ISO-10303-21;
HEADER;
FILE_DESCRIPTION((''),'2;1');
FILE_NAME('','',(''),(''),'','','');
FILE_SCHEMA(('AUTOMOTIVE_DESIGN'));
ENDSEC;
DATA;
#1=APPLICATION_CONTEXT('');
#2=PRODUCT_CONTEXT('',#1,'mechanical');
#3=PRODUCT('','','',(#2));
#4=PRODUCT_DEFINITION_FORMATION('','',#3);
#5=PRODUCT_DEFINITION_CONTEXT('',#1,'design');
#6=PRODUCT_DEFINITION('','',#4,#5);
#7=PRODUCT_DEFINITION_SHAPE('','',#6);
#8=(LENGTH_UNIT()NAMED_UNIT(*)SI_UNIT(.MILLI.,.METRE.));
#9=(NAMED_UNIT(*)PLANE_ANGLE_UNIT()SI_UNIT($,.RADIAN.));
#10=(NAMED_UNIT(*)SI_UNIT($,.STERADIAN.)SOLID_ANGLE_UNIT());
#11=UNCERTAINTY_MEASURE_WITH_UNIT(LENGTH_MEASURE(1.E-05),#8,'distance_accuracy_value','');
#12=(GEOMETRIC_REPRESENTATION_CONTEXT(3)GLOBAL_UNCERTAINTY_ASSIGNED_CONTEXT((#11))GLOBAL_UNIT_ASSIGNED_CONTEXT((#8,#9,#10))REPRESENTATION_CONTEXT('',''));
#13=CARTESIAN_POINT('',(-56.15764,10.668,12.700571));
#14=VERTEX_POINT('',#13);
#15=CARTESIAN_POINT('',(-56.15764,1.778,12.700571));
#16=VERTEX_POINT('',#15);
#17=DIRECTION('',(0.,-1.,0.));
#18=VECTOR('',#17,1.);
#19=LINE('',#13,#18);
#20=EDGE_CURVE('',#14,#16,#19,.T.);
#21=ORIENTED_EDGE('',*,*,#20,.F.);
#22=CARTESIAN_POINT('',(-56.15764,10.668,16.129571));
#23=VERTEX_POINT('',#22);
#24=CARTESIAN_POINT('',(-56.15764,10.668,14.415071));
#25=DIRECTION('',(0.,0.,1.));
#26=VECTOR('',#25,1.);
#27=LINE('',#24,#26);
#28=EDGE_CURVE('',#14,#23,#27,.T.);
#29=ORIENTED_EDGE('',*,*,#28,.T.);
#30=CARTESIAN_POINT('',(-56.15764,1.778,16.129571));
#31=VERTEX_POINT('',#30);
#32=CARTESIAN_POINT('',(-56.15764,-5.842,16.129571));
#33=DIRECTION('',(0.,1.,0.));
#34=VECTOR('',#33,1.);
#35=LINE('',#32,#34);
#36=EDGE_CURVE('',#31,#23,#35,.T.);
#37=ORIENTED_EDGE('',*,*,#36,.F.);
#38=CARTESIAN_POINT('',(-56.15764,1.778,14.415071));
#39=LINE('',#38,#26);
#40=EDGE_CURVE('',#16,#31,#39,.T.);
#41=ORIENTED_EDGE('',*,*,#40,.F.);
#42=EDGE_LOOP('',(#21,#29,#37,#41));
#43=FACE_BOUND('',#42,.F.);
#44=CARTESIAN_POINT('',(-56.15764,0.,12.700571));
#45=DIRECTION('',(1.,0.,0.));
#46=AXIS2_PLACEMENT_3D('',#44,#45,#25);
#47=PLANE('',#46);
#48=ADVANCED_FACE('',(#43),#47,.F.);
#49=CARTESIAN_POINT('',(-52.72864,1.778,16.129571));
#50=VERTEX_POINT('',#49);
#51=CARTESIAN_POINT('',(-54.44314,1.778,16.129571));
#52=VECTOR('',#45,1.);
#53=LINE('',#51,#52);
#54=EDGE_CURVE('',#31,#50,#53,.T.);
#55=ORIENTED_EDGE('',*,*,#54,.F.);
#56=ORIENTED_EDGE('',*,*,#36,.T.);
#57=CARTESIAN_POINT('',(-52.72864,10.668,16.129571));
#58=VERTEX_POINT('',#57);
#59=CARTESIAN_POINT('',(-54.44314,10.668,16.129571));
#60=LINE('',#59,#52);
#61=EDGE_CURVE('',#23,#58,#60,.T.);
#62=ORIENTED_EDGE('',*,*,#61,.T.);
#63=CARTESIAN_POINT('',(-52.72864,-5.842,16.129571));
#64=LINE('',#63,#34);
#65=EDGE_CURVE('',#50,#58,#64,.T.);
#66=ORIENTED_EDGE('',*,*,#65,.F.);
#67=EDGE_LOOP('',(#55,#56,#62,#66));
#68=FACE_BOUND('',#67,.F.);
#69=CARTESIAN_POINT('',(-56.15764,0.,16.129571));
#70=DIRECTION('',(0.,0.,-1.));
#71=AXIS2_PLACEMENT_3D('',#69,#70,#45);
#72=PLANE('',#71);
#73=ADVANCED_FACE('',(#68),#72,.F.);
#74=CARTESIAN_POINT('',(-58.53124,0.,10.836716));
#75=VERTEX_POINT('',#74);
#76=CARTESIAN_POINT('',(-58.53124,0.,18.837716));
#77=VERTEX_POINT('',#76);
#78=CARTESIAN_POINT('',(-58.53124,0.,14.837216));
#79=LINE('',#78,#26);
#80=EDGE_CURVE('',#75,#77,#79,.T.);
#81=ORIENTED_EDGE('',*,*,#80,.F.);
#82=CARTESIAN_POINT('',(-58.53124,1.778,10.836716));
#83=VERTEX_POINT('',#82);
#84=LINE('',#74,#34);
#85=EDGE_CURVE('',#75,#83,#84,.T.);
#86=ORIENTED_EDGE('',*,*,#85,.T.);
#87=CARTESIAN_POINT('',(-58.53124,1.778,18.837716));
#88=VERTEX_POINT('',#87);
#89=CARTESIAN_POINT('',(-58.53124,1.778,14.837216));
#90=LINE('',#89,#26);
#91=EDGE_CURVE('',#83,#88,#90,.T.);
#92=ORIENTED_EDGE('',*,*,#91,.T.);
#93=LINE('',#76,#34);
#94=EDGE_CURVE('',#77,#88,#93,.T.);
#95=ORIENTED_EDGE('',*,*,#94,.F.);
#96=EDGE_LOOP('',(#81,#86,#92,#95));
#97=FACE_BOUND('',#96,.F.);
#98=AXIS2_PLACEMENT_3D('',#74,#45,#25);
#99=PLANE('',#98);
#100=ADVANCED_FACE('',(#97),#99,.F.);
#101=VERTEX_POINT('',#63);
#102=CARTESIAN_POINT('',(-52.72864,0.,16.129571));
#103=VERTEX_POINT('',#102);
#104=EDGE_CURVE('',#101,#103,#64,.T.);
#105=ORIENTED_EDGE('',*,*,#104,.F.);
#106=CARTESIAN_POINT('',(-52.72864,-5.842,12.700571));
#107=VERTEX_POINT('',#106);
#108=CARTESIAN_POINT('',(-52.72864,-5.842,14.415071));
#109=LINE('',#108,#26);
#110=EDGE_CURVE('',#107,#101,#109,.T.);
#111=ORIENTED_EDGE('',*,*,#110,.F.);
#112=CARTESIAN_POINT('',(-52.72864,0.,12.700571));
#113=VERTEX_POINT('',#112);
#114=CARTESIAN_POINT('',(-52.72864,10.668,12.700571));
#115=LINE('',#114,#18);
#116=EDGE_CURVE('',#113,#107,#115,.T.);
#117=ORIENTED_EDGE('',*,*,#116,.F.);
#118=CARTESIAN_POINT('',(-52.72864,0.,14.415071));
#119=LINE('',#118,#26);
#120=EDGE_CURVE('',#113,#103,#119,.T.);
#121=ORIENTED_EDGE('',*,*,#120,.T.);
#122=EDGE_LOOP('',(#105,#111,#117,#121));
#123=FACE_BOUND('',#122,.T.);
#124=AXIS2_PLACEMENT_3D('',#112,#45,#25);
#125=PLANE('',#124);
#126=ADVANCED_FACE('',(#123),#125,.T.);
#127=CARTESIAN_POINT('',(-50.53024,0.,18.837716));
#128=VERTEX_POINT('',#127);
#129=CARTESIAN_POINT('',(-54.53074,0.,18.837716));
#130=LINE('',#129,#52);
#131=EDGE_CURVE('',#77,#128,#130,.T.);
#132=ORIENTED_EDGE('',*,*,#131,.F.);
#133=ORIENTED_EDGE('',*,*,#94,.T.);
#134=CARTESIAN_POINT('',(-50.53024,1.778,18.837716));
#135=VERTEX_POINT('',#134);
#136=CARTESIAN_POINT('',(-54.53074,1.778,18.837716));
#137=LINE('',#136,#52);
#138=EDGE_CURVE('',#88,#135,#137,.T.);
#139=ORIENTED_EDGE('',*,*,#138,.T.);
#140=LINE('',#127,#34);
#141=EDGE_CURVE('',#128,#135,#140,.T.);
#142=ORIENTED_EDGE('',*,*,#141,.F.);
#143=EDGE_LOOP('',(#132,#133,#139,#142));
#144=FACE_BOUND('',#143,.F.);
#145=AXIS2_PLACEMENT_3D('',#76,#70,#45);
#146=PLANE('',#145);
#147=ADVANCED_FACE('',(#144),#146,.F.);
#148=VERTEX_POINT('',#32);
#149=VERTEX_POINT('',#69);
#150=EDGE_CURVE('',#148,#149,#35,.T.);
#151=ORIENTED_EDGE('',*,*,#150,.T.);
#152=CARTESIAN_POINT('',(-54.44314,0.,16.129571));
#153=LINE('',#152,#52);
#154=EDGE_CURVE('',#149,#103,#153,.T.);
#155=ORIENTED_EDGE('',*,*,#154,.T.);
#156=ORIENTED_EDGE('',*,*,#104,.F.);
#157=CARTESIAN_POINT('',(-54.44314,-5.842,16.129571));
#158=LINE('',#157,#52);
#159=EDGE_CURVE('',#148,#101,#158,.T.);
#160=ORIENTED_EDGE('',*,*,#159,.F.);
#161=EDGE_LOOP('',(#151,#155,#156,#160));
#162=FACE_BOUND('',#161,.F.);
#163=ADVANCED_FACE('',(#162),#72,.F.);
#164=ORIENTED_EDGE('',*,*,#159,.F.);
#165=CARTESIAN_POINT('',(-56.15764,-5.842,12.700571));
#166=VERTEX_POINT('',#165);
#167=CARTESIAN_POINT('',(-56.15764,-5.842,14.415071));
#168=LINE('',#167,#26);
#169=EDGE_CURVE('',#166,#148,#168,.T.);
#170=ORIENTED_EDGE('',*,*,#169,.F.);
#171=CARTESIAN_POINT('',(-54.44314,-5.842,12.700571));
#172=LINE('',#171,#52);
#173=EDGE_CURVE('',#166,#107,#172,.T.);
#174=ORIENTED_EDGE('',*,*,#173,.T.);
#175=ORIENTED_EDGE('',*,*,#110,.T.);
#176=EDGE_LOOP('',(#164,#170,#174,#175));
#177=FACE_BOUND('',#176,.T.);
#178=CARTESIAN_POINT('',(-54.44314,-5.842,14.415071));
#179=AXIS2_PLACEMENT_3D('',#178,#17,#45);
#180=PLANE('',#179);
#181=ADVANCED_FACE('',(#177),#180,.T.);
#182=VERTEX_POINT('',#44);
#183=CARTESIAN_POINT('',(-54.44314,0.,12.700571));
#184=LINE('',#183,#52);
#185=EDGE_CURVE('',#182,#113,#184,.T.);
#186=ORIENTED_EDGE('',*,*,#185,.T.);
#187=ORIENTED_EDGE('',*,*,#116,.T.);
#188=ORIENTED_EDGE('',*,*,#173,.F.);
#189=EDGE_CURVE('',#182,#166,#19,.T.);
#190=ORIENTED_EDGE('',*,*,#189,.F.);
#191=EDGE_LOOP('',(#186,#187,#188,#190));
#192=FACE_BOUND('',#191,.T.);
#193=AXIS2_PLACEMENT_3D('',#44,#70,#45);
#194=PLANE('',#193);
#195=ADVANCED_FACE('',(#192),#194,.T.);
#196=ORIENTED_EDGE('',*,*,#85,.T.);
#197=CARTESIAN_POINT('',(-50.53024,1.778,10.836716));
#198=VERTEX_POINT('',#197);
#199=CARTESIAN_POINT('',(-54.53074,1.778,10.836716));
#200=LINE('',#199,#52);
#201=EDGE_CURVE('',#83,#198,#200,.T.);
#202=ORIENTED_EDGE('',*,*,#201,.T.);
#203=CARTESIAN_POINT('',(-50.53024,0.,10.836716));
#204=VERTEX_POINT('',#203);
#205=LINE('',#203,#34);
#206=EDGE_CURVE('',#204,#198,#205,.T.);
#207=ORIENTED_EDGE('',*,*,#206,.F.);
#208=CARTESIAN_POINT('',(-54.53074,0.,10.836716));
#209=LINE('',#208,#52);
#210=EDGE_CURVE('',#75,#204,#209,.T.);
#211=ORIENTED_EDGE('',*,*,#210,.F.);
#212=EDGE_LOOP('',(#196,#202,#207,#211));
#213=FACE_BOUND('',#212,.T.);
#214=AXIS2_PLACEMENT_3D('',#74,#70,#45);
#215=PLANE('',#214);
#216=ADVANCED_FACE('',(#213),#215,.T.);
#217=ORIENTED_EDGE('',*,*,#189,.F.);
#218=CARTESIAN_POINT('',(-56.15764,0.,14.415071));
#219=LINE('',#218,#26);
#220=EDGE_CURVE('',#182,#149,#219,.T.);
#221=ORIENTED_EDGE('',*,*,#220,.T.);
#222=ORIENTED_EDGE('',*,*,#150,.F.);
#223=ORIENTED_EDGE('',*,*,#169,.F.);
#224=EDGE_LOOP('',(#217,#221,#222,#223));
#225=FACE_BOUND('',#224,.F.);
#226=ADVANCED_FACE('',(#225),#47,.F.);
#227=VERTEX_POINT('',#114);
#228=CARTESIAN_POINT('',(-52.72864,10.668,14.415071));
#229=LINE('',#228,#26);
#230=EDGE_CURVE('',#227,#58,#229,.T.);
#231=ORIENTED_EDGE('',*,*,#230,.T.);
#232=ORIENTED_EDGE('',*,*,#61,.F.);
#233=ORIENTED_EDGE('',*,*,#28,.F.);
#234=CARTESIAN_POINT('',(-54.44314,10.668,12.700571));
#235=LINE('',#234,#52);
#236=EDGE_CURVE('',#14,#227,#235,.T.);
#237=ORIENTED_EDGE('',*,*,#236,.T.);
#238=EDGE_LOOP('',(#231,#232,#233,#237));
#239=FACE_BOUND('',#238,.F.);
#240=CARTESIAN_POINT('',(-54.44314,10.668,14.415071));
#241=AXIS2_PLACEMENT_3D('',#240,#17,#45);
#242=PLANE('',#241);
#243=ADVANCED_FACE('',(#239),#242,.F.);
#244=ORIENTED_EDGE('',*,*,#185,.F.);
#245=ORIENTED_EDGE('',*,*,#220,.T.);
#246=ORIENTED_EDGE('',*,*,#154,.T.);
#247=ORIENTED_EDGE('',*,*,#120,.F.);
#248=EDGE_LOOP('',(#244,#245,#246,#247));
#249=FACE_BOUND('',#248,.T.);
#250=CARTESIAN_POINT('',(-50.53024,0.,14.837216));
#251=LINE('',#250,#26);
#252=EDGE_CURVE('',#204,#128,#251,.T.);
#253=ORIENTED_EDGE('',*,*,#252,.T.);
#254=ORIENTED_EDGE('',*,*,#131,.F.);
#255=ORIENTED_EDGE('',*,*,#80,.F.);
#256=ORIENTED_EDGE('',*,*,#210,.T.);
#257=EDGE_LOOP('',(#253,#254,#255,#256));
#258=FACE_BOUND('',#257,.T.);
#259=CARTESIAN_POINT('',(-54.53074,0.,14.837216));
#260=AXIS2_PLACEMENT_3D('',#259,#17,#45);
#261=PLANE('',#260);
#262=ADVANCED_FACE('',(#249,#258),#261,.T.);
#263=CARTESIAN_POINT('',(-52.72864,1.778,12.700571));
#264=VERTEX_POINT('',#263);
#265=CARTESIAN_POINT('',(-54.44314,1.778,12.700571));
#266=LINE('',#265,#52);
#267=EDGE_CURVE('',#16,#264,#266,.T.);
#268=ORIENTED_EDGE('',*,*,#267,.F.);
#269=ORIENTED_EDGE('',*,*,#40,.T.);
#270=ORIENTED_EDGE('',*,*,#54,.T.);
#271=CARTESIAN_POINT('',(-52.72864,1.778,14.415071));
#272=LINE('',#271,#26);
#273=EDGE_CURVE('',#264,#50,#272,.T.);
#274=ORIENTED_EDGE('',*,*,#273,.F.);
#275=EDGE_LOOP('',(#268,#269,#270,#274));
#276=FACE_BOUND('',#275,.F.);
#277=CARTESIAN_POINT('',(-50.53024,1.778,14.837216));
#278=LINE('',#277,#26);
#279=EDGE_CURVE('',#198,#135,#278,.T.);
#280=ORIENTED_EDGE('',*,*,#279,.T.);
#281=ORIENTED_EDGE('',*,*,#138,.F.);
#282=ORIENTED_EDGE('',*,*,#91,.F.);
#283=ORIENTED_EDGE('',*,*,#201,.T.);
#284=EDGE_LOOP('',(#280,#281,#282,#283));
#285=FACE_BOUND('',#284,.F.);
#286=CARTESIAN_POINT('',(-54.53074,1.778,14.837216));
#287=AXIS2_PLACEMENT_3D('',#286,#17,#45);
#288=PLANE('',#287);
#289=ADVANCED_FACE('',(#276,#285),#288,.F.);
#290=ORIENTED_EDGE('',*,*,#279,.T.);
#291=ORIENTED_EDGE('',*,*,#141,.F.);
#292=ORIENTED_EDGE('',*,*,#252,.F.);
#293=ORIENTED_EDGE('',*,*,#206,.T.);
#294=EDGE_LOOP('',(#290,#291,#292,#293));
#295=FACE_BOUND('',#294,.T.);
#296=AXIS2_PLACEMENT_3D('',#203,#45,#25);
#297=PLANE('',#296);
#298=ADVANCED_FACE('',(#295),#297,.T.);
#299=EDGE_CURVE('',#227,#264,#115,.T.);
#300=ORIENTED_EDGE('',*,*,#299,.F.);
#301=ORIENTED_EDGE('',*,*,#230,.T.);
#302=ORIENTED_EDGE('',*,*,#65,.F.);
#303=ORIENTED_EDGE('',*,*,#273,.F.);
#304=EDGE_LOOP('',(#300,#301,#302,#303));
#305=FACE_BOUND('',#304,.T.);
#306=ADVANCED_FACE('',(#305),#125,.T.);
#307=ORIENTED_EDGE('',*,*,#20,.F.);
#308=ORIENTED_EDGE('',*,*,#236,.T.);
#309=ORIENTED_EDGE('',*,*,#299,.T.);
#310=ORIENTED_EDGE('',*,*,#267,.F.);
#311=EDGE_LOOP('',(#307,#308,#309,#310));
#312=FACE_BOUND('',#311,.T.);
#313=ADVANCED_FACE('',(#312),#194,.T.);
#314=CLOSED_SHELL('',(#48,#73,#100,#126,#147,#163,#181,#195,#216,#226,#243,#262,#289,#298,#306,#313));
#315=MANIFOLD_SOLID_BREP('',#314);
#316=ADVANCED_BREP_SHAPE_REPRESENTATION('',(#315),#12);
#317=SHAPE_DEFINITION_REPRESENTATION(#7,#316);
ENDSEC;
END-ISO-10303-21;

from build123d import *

# Parameters (mm, degrees)
F0_W          = 3.429
F0_H          = 3.429
F1_DEPTH      = 5.842
F1_DEPTH_BACK = 10.668
F0_W_2        = 8.001
F0_H_2        = 8.001
F2_DEPTH      = 1.778


with BuildPart() as f1:
    # F0 (on Front) → F1 (new body, two sides)
    with BuildSketch(Plane.XZ) as f1_sk:
        with Locations((-54.44314, 14.415071)):
            Rectangle(F0_W, F0_H)
    extrude(amount=F1_DEPTH)
    extrude(f1_sk.sketch, amount=-F1_DEPTH_BACK)

    # F0 (on Front) → F2 (join)
    with BuildSketch(Plane.XZ):
        with Locations((-54.53074, 14.837216)):
            Rectangle(F0_W_2, F0_H_2)
        with Locations((-54.44314, 14.415071)):
            Rectangle(F0_W, F0_H, mode=Mode.SUBTRACT)
    extrude(amount=-F2_DEPTH)


solid = f1.part
